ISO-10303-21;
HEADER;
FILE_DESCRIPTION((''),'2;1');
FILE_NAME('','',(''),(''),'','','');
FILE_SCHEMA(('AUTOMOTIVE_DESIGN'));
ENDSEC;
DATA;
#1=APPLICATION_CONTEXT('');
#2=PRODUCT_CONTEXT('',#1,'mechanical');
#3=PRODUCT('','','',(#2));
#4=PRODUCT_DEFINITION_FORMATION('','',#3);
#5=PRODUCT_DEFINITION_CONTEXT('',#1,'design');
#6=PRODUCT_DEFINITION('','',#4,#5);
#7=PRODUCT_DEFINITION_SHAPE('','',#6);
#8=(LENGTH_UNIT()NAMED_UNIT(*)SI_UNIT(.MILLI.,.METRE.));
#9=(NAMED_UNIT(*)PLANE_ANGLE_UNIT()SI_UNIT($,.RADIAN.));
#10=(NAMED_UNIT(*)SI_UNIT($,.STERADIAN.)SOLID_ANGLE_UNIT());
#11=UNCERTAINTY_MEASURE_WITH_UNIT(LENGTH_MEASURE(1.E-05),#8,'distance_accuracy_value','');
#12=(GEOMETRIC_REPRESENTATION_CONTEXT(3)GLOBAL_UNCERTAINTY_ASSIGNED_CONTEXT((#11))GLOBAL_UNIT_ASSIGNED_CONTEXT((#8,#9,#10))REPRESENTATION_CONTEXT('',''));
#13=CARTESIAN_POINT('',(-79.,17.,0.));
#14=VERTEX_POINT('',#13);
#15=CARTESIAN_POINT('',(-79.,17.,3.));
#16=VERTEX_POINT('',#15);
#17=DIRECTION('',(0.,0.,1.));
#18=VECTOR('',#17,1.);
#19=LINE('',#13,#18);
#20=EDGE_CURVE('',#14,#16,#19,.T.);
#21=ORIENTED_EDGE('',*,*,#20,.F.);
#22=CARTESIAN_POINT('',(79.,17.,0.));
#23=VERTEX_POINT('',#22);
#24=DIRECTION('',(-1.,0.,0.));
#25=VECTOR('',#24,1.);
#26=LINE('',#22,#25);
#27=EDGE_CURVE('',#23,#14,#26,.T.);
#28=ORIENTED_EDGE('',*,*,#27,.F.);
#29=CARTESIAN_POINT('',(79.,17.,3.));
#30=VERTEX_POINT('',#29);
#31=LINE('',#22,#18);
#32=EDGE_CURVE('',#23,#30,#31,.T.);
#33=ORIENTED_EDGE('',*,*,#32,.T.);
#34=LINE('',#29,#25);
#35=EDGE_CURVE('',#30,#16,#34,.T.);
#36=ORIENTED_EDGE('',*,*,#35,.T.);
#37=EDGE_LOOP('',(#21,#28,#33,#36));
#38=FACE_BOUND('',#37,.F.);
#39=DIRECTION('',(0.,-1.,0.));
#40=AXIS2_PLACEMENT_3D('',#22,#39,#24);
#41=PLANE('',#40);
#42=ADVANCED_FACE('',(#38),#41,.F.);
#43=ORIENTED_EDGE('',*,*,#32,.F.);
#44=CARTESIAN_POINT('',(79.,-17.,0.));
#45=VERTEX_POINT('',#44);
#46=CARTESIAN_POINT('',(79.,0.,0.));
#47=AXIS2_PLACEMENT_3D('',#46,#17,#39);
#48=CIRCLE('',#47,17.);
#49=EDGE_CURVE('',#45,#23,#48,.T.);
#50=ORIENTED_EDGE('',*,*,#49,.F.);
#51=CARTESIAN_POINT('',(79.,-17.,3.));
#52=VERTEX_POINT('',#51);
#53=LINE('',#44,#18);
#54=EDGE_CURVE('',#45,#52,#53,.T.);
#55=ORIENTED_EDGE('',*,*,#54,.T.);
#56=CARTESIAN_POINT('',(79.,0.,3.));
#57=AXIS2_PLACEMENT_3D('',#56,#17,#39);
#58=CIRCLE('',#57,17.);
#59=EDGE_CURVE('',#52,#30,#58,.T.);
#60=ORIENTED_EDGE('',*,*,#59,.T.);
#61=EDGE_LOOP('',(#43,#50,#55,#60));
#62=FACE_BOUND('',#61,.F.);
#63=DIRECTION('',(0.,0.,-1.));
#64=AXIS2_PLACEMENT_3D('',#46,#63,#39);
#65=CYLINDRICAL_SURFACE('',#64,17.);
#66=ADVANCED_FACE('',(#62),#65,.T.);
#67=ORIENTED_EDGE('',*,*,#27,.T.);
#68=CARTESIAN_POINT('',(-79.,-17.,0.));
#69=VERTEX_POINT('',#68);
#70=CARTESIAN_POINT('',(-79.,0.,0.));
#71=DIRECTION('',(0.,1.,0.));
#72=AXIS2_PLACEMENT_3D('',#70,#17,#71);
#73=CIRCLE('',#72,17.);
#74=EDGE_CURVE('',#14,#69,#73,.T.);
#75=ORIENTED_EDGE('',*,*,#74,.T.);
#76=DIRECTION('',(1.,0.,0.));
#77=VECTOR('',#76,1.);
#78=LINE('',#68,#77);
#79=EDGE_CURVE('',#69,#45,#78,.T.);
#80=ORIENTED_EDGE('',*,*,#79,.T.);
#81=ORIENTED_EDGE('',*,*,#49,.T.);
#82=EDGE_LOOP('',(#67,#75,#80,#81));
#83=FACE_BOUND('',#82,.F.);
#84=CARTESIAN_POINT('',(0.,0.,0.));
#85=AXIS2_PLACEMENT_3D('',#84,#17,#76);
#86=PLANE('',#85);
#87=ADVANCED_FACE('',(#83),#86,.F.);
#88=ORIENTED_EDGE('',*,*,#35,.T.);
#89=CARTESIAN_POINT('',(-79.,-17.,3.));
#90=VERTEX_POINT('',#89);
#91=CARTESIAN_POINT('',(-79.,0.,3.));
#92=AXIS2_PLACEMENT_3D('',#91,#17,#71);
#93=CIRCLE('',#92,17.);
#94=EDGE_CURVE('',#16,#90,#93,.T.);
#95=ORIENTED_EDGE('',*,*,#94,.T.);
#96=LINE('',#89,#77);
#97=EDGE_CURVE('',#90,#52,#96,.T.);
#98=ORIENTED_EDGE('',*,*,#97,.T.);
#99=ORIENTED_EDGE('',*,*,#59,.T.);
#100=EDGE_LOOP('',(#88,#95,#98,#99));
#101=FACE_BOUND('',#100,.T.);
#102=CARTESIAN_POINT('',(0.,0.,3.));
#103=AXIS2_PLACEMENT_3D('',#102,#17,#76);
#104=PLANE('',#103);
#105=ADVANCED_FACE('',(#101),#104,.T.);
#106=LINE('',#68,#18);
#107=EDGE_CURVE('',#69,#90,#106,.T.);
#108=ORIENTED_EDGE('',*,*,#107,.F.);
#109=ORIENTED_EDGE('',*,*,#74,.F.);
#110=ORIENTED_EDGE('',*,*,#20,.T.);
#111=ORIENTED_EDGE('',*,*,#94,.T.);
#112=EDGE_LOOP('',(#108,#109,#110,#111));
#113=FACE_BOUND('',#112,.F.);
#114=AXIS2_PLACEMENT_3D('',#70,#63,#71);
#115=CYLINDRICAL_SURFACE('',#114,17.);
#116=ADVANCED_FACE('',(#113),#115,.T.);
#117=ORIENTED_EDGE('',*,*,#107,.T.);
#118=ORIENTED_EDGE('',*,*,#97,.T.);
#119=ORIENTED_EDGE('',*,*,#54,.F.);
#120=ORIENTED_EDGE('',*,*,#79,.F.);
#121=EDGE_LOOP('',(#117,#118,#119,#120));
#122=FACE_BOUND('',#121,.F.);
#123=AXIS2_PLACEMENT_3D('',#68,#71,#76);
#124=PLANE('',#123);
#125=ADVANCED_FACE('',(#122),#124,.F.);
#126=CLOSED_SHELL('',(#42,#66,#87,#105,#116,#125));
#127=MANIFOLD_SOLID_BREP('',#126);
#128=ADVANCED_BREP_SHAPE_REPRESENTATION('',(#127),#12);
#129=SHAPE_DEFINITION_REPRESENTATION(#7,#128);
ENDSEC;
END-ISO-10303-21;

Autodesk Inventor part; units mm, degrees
ref_plane "YZ Plane" through (0, 0, 0) normal (1, 0, 0) x (0, 1, 0)
ref_plane "XZ Plane" through (0, 0, 0) normal (0, 1, 0) x (-1, 0, 0)
ref_plane "XY Plane" through (0, 0, 0) normal (0, 0, 1) x (1, 0, 0)
sketch "Sketch1" plane through (0, 0, 0) normal (0, 0, 1) x (1, 0, 0)
  line L0 (-79, 0) -> (79, 0) construction
  line L1 (-79, -17) -> (79, -17)
  line L2 (79, 17) -> (-79, 17)
  arc A0 (-79, 17) -> (-79, -17) centre (-79, 0) ccw
  arc A1 (79, -17) -> (79, 17) centre (79, 0) ccw
  point P0 (0, 0)
  dimension "d0" = 79
  dimension "d1" = 34
extrude "Extrusion1" add sketch "Sketch1" along normal blind 3
properties part number "AMR_Handle_Flap"
